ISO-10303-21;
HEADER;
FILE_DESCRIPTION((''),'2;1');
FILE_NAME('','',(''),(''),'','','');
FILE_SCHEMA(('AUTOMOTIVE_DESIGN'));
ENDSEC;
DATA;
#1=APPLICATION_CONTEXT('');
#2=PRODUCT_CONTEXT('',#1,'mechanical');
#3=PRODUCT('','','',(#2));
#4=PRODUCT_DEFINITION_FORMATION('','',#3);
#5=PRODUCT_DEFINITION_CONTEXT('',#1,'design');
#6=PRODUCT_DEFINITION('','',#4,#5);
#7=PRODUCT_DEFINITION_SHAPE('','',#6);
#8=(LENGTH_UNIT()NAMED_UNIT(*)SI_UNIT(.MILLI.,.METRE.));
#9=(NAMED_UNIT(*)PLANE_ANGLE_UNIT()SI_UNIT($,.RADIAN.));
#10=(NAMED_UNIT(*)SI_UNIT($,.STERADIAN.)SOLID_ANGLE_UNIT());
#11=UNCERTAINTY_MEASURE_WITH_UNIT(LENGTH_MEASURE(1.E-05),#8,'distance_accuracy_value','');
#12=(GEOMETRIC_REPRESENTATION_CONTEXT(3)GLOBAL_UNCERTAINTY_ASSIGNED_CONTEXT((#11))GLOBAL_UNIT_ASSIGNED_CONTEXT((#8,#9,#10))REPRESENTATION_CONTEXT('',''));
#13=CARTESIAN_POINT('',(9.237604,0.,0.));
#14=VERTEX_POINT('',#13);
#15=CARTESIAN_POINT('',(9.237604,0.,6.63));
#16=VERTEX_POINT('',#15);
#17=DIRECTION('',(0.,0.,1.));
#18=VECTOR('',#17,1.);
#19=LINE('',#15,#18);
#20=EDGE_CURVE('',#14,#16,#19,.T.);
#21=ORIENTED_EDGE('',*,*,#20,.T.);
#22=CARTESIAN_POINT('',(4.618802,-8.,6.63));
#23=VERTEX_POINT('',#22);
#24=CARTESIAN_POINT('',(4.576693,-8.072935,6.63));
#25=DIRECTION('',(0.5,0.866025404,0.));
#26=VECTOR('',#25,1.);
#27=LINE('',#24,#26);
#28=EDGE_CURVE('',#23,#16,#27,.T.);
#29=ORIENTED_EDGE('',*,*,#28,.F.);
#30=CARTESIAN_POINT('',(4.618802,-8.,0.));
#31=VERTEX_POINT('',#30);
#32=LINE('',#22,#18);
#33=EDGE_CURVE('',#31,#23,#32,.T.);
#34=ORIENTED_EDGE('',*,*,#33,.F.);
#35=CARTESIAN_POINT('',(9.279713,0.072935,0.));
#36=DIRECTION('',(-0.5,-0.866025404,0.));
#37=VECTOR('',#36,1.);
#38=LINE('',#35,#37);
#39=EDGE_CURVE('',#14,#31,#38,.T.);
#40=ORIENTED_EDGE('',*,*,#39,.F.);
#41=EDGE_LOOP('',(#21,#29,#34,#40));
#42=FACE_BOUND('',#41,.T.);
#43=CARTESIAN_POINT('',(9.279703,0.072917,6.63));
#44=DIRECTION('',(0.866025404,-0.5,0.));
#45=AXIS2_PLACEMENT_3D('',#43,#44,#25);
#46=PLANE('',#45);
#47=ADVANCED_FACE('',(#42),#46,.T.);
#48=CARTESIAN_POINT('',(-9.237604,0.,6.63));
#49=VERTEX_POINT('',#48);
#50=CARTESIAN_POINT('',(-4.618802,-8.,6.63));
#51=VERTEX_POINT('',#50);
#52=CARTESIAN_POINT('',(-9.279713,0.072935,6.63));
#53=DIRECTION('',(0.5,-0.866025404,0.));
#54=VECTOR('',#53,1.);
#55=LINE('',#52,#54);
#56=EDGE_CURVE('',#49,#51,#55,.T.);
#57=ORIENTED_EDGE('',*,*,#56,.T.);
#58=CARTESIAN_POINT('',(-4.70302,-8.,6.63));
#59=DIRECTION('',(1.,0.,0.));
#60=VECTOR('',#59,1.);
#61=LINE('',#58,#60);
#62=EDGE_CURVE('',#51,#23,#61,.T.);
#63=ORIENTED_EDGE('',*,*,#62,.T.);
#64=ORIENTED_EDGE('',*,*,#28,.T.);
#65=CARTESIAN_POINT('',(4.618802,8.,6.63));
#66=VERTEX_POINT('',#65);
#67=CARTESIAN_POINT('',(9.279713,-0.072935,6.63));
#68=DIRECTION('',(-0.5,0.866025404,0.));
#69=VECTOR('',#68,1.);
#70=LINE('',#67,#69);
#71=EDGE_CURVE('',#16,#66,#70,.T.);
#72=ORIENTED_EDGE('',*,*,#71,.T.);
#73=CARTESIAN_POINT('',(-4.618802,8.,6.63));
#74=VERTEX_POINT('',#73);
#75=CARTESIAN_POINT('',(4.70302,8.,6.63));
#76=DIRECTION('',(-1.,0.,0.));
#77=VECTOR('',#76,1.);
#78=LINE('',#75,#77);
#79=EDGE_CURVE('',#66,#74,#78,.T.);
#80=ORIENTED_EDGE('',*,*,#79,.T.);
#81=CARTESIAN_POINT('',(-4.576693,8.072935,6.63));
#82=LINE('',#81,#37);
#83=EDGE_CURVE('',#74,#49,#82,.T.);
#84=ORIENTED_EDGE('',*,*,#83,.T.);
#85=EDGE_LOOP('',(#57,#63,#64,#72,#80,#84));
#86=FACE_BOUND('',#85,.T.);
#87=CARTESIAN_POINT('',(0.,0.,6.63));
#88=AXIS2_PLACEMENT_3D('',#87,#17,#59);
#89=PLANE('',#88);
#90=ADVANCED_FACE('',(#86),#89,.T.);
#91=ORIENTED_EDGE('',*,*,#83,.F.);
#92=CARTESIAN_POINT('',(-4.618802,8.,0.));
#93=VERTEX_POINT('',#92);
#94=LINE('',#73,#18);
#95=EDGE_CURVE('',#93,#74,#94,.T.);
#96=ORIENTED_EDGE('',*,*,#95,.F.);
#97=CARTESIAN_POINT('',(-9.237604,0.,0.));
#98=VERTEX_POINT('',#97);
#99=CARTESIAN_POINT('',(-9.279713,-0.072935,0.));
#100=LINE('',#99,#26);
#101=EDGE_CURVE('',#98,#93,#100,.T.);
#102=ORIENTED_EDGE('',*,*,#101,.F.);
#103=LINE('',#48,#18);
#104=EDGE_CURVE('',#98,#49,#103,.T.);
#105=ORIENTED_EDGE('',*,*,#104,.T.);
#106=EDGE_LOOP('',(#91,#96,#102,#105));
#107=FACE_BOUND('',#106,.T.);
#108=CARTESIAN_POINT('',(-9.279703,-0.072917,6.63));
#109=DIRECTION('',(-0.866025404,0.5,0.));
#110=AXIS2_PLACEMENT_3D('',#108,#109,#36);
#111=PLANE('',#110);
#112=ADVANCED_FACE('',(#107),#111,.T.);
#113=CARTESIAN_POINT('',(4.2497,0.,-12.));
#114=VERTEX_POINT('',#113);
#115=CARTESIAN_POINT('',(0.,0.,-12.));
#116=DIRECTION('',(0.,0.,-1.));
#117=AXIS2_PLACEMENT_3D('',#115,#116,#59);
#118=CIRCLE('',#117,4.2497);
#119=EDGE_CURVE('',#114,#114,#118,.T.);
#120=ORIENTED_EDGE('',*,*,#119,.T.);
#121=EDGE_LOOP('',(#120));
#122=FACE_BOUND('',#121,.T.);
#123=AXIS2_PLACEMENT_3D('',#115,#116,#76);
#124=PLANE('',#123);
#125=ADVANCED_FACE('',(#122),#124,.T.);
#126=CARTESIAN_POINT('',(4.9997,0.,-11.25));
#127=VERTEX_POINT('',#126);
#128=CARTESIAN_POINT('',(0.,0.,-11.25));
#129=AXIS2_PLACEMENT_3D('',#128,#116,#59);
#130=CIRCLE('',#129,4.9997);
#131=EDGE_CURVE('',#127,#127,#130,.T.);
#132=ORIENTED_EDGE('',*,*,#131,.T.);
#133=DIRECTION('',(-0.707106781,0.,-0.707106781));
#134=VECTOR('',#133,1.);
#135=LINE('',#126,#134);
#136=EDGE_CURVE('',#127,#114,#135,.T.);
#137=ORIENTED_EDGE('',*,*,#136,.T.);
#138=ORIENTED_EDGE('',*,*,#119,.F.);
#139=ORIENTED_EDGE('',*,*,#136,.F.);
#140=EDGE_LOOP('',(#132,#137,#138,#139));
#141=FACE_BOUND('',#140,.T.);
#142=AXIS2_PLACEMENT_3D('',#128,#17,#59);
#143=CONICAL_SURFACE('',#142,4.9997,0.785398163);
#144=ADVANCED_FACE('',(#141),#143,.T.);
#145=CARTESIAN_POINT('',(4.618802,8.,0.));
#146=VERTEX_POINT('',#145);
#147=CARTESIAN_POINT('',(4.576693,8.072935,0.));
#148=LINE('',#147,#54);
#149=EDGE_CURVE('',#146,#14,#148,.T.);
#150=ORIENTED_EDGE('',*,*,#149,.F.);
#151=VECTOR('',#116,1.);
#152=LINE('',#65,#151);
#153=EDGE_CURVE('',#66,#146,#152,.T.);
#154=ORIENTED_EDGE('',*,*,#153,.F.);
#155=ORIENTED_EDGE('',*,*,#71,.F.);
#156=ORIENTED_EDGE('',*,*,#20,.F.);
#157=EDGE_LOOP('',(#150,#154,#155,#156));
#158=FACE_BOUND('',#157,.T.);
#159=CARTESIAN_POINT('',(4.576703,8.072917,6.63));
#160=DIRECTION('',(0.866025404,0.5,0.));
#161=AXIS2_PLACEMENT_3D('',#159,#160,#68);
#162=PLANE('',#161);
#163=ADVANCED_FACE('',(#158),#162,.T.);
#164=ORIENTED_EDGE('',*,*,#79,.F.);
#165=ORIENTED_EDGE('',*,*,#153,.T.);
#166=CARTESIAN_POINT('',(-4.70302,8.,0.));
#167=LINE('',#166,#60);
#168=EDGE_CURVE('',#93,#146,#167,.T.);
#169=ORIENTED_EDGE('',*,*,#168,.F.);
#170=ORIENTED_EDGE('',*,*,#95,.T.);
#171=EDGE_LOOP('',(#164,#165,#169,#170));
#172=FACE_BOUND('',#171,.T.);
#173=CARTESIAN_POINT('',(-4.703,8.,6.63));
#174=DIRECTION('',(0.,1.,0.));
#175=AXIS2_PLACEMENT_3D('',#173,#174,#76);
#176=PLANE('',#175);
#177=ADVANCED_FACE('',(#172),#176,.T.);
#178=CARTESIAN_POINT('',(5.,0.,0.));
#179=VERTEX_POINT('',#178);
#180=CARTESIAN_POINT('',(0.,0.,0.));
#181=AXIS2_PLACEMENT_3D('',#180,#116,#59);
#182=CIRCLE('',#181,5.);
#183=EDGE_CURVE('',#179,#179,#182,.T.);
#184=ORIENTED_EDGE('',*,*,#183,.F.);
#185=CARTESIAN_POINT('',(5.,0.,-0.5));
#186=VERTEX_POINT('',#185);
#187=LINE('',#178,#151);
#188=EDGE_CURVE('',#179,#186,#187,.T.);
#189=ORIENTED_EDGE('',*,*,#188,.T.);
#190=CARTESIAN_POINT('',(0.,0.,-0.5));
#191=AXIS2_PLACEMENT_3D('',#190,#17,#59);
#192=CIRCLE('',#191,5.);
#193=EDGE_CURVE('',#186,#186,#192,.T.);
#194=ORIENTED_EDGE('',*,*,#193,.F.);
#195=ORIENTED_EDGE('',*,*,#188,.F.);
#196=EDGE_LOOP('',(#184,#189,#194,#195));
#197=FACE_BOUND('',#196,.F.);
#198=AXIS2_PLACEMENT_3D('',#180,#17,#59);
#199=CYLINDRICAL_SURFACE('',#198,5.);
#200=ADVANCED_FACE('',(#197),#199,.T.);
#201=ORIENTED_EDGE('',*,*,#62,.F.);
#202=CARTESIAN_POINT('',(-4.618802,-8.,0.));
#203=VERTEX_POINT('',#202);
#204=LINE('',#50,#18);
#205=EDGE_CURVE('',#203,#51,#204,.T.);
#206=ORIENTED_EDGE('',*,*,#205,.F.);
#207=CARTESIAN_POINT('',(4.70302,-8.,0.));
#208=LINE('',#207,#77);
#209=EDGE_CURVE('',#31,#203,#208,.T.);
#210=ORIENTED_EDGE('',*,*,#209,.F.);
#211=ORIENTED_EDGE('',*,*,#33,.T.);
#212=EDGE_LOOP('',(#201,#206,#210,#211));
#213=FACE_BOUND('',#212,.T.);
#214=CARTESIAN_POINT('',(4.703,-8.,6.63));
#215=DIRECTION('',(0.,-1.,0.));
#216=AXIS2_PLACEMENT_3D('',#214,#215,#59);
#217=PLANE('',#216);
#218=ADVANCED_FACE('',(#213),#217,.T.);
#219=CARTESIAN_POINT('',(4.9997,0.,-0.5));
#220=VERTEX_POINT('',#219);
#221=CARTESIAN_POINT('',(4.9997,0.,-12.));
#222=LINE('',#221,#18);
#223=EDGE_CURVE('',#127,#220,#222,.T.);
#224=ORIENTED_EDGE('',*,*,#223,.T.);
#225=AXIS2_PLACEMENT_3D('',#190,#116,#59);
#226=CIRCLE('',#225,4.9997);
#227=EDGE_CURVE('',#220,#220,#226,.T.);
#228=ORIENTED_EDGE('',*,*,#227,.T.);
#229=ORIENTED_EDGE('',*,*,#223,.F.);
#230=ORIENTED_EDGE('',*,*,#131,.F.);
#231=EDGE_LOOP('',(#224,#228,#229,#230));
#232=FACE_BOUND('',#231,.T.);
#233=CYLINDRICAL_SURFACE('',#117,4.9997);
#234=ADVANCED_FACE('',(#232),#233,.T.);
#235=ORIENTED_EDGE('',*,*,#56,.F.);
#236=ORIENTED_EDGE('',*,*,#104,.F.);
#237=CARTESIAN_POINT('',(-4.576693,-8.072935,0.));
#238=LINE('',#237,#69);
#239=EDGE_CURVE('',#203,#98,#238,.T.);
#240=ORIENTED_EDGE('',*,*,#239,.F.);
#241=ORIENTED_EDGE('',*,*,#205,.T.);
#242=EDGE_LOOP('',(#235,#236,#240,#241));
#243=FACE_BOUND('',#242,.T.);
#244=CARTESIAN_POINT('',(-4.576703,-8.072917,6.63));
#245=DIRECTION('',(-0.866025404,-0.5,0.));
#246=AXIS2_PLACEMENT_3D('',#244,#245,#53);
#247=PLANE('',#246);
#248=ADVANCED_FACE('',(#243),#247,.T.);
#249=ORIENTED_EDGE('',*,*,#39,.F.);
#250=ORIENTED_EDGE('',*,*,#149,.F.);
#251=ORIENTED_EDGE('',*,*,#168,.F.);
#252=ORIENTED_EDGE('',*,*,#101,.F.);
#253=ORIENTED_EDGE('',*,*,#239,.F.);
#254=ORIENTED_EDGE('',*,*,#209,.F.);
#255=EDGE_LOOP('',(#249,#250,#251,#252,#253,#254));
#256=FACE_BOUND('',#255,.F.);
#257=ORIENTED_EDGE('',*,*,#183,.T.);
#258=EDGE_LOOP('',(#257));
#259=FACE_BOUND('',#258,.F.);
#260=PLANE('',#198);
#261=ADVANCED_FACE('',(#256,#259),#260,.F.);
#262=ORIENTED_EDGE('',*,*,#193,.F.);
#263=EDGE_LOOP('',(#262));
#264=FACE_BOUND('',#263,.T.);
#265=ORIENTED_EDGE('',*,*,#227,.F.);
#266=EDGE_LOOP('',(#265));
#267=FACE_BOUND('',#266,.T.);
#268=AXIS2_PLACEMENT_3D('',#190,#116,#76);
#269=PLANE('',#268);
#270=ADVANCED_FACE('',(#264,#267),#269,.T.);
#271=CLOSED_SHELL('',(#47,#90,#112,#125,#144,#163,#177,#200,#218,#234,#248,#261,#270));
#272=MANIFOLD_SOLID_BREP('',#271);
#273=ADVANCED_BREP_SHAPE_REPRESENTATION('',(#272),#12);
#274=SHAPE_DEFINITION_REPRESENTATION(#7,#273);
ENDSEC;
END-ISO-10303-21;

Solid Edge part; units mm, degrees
sketch "Sketch1" plane through (0, 0, 0) normal (0, 0, 1) x (1, 0, 0)
  circle A0 centre (0, 0) radius 9.28
  dimension "D1" = 18.56
extrude "Protrusion1" add sketch "Sketch1" along normal blind 6.63
sketch "Sketch2" plane through (0, 0, 0) normal (0, 0, -1) x (1, 0, 0)
  circle A0 centre (0, 0) radius 5
extrude "Protrusion2" add sketch "Sketch2" along normal blind 12
sketch "Sketch3" plane through (0, 0, -12) normal (0, 0, -1) x (1, 0, 0)
  circle A0 centre (0, 0) radius 4.9997
extrude "Cutout1" cut sketch "Sketch3" against normal blind 11.5 flip side to cut
chamfer "Chamfer_1" distance 0.75 angle 45 1 edges at (-4.9997, 0, -12)
sketch "Sketch4" plane through (0, 0, 6.63) normal (0, 0, 1) x (1, 0, 0)
  line L0 (-4.703, 8) -> (4.703, 8)
  dimension "D1" = 16
extrude "Cutout2" cut sketch "Sketch4" against normal up to next material side at (0, 8.05, 6.63)
pattern_circular "Pattern1" count 6 over 360 about axis through (0, 0, 6.63) along (0, 0, 1) of "Cutout2"
properties part number "213279" material "Stainless Steel, 304"
